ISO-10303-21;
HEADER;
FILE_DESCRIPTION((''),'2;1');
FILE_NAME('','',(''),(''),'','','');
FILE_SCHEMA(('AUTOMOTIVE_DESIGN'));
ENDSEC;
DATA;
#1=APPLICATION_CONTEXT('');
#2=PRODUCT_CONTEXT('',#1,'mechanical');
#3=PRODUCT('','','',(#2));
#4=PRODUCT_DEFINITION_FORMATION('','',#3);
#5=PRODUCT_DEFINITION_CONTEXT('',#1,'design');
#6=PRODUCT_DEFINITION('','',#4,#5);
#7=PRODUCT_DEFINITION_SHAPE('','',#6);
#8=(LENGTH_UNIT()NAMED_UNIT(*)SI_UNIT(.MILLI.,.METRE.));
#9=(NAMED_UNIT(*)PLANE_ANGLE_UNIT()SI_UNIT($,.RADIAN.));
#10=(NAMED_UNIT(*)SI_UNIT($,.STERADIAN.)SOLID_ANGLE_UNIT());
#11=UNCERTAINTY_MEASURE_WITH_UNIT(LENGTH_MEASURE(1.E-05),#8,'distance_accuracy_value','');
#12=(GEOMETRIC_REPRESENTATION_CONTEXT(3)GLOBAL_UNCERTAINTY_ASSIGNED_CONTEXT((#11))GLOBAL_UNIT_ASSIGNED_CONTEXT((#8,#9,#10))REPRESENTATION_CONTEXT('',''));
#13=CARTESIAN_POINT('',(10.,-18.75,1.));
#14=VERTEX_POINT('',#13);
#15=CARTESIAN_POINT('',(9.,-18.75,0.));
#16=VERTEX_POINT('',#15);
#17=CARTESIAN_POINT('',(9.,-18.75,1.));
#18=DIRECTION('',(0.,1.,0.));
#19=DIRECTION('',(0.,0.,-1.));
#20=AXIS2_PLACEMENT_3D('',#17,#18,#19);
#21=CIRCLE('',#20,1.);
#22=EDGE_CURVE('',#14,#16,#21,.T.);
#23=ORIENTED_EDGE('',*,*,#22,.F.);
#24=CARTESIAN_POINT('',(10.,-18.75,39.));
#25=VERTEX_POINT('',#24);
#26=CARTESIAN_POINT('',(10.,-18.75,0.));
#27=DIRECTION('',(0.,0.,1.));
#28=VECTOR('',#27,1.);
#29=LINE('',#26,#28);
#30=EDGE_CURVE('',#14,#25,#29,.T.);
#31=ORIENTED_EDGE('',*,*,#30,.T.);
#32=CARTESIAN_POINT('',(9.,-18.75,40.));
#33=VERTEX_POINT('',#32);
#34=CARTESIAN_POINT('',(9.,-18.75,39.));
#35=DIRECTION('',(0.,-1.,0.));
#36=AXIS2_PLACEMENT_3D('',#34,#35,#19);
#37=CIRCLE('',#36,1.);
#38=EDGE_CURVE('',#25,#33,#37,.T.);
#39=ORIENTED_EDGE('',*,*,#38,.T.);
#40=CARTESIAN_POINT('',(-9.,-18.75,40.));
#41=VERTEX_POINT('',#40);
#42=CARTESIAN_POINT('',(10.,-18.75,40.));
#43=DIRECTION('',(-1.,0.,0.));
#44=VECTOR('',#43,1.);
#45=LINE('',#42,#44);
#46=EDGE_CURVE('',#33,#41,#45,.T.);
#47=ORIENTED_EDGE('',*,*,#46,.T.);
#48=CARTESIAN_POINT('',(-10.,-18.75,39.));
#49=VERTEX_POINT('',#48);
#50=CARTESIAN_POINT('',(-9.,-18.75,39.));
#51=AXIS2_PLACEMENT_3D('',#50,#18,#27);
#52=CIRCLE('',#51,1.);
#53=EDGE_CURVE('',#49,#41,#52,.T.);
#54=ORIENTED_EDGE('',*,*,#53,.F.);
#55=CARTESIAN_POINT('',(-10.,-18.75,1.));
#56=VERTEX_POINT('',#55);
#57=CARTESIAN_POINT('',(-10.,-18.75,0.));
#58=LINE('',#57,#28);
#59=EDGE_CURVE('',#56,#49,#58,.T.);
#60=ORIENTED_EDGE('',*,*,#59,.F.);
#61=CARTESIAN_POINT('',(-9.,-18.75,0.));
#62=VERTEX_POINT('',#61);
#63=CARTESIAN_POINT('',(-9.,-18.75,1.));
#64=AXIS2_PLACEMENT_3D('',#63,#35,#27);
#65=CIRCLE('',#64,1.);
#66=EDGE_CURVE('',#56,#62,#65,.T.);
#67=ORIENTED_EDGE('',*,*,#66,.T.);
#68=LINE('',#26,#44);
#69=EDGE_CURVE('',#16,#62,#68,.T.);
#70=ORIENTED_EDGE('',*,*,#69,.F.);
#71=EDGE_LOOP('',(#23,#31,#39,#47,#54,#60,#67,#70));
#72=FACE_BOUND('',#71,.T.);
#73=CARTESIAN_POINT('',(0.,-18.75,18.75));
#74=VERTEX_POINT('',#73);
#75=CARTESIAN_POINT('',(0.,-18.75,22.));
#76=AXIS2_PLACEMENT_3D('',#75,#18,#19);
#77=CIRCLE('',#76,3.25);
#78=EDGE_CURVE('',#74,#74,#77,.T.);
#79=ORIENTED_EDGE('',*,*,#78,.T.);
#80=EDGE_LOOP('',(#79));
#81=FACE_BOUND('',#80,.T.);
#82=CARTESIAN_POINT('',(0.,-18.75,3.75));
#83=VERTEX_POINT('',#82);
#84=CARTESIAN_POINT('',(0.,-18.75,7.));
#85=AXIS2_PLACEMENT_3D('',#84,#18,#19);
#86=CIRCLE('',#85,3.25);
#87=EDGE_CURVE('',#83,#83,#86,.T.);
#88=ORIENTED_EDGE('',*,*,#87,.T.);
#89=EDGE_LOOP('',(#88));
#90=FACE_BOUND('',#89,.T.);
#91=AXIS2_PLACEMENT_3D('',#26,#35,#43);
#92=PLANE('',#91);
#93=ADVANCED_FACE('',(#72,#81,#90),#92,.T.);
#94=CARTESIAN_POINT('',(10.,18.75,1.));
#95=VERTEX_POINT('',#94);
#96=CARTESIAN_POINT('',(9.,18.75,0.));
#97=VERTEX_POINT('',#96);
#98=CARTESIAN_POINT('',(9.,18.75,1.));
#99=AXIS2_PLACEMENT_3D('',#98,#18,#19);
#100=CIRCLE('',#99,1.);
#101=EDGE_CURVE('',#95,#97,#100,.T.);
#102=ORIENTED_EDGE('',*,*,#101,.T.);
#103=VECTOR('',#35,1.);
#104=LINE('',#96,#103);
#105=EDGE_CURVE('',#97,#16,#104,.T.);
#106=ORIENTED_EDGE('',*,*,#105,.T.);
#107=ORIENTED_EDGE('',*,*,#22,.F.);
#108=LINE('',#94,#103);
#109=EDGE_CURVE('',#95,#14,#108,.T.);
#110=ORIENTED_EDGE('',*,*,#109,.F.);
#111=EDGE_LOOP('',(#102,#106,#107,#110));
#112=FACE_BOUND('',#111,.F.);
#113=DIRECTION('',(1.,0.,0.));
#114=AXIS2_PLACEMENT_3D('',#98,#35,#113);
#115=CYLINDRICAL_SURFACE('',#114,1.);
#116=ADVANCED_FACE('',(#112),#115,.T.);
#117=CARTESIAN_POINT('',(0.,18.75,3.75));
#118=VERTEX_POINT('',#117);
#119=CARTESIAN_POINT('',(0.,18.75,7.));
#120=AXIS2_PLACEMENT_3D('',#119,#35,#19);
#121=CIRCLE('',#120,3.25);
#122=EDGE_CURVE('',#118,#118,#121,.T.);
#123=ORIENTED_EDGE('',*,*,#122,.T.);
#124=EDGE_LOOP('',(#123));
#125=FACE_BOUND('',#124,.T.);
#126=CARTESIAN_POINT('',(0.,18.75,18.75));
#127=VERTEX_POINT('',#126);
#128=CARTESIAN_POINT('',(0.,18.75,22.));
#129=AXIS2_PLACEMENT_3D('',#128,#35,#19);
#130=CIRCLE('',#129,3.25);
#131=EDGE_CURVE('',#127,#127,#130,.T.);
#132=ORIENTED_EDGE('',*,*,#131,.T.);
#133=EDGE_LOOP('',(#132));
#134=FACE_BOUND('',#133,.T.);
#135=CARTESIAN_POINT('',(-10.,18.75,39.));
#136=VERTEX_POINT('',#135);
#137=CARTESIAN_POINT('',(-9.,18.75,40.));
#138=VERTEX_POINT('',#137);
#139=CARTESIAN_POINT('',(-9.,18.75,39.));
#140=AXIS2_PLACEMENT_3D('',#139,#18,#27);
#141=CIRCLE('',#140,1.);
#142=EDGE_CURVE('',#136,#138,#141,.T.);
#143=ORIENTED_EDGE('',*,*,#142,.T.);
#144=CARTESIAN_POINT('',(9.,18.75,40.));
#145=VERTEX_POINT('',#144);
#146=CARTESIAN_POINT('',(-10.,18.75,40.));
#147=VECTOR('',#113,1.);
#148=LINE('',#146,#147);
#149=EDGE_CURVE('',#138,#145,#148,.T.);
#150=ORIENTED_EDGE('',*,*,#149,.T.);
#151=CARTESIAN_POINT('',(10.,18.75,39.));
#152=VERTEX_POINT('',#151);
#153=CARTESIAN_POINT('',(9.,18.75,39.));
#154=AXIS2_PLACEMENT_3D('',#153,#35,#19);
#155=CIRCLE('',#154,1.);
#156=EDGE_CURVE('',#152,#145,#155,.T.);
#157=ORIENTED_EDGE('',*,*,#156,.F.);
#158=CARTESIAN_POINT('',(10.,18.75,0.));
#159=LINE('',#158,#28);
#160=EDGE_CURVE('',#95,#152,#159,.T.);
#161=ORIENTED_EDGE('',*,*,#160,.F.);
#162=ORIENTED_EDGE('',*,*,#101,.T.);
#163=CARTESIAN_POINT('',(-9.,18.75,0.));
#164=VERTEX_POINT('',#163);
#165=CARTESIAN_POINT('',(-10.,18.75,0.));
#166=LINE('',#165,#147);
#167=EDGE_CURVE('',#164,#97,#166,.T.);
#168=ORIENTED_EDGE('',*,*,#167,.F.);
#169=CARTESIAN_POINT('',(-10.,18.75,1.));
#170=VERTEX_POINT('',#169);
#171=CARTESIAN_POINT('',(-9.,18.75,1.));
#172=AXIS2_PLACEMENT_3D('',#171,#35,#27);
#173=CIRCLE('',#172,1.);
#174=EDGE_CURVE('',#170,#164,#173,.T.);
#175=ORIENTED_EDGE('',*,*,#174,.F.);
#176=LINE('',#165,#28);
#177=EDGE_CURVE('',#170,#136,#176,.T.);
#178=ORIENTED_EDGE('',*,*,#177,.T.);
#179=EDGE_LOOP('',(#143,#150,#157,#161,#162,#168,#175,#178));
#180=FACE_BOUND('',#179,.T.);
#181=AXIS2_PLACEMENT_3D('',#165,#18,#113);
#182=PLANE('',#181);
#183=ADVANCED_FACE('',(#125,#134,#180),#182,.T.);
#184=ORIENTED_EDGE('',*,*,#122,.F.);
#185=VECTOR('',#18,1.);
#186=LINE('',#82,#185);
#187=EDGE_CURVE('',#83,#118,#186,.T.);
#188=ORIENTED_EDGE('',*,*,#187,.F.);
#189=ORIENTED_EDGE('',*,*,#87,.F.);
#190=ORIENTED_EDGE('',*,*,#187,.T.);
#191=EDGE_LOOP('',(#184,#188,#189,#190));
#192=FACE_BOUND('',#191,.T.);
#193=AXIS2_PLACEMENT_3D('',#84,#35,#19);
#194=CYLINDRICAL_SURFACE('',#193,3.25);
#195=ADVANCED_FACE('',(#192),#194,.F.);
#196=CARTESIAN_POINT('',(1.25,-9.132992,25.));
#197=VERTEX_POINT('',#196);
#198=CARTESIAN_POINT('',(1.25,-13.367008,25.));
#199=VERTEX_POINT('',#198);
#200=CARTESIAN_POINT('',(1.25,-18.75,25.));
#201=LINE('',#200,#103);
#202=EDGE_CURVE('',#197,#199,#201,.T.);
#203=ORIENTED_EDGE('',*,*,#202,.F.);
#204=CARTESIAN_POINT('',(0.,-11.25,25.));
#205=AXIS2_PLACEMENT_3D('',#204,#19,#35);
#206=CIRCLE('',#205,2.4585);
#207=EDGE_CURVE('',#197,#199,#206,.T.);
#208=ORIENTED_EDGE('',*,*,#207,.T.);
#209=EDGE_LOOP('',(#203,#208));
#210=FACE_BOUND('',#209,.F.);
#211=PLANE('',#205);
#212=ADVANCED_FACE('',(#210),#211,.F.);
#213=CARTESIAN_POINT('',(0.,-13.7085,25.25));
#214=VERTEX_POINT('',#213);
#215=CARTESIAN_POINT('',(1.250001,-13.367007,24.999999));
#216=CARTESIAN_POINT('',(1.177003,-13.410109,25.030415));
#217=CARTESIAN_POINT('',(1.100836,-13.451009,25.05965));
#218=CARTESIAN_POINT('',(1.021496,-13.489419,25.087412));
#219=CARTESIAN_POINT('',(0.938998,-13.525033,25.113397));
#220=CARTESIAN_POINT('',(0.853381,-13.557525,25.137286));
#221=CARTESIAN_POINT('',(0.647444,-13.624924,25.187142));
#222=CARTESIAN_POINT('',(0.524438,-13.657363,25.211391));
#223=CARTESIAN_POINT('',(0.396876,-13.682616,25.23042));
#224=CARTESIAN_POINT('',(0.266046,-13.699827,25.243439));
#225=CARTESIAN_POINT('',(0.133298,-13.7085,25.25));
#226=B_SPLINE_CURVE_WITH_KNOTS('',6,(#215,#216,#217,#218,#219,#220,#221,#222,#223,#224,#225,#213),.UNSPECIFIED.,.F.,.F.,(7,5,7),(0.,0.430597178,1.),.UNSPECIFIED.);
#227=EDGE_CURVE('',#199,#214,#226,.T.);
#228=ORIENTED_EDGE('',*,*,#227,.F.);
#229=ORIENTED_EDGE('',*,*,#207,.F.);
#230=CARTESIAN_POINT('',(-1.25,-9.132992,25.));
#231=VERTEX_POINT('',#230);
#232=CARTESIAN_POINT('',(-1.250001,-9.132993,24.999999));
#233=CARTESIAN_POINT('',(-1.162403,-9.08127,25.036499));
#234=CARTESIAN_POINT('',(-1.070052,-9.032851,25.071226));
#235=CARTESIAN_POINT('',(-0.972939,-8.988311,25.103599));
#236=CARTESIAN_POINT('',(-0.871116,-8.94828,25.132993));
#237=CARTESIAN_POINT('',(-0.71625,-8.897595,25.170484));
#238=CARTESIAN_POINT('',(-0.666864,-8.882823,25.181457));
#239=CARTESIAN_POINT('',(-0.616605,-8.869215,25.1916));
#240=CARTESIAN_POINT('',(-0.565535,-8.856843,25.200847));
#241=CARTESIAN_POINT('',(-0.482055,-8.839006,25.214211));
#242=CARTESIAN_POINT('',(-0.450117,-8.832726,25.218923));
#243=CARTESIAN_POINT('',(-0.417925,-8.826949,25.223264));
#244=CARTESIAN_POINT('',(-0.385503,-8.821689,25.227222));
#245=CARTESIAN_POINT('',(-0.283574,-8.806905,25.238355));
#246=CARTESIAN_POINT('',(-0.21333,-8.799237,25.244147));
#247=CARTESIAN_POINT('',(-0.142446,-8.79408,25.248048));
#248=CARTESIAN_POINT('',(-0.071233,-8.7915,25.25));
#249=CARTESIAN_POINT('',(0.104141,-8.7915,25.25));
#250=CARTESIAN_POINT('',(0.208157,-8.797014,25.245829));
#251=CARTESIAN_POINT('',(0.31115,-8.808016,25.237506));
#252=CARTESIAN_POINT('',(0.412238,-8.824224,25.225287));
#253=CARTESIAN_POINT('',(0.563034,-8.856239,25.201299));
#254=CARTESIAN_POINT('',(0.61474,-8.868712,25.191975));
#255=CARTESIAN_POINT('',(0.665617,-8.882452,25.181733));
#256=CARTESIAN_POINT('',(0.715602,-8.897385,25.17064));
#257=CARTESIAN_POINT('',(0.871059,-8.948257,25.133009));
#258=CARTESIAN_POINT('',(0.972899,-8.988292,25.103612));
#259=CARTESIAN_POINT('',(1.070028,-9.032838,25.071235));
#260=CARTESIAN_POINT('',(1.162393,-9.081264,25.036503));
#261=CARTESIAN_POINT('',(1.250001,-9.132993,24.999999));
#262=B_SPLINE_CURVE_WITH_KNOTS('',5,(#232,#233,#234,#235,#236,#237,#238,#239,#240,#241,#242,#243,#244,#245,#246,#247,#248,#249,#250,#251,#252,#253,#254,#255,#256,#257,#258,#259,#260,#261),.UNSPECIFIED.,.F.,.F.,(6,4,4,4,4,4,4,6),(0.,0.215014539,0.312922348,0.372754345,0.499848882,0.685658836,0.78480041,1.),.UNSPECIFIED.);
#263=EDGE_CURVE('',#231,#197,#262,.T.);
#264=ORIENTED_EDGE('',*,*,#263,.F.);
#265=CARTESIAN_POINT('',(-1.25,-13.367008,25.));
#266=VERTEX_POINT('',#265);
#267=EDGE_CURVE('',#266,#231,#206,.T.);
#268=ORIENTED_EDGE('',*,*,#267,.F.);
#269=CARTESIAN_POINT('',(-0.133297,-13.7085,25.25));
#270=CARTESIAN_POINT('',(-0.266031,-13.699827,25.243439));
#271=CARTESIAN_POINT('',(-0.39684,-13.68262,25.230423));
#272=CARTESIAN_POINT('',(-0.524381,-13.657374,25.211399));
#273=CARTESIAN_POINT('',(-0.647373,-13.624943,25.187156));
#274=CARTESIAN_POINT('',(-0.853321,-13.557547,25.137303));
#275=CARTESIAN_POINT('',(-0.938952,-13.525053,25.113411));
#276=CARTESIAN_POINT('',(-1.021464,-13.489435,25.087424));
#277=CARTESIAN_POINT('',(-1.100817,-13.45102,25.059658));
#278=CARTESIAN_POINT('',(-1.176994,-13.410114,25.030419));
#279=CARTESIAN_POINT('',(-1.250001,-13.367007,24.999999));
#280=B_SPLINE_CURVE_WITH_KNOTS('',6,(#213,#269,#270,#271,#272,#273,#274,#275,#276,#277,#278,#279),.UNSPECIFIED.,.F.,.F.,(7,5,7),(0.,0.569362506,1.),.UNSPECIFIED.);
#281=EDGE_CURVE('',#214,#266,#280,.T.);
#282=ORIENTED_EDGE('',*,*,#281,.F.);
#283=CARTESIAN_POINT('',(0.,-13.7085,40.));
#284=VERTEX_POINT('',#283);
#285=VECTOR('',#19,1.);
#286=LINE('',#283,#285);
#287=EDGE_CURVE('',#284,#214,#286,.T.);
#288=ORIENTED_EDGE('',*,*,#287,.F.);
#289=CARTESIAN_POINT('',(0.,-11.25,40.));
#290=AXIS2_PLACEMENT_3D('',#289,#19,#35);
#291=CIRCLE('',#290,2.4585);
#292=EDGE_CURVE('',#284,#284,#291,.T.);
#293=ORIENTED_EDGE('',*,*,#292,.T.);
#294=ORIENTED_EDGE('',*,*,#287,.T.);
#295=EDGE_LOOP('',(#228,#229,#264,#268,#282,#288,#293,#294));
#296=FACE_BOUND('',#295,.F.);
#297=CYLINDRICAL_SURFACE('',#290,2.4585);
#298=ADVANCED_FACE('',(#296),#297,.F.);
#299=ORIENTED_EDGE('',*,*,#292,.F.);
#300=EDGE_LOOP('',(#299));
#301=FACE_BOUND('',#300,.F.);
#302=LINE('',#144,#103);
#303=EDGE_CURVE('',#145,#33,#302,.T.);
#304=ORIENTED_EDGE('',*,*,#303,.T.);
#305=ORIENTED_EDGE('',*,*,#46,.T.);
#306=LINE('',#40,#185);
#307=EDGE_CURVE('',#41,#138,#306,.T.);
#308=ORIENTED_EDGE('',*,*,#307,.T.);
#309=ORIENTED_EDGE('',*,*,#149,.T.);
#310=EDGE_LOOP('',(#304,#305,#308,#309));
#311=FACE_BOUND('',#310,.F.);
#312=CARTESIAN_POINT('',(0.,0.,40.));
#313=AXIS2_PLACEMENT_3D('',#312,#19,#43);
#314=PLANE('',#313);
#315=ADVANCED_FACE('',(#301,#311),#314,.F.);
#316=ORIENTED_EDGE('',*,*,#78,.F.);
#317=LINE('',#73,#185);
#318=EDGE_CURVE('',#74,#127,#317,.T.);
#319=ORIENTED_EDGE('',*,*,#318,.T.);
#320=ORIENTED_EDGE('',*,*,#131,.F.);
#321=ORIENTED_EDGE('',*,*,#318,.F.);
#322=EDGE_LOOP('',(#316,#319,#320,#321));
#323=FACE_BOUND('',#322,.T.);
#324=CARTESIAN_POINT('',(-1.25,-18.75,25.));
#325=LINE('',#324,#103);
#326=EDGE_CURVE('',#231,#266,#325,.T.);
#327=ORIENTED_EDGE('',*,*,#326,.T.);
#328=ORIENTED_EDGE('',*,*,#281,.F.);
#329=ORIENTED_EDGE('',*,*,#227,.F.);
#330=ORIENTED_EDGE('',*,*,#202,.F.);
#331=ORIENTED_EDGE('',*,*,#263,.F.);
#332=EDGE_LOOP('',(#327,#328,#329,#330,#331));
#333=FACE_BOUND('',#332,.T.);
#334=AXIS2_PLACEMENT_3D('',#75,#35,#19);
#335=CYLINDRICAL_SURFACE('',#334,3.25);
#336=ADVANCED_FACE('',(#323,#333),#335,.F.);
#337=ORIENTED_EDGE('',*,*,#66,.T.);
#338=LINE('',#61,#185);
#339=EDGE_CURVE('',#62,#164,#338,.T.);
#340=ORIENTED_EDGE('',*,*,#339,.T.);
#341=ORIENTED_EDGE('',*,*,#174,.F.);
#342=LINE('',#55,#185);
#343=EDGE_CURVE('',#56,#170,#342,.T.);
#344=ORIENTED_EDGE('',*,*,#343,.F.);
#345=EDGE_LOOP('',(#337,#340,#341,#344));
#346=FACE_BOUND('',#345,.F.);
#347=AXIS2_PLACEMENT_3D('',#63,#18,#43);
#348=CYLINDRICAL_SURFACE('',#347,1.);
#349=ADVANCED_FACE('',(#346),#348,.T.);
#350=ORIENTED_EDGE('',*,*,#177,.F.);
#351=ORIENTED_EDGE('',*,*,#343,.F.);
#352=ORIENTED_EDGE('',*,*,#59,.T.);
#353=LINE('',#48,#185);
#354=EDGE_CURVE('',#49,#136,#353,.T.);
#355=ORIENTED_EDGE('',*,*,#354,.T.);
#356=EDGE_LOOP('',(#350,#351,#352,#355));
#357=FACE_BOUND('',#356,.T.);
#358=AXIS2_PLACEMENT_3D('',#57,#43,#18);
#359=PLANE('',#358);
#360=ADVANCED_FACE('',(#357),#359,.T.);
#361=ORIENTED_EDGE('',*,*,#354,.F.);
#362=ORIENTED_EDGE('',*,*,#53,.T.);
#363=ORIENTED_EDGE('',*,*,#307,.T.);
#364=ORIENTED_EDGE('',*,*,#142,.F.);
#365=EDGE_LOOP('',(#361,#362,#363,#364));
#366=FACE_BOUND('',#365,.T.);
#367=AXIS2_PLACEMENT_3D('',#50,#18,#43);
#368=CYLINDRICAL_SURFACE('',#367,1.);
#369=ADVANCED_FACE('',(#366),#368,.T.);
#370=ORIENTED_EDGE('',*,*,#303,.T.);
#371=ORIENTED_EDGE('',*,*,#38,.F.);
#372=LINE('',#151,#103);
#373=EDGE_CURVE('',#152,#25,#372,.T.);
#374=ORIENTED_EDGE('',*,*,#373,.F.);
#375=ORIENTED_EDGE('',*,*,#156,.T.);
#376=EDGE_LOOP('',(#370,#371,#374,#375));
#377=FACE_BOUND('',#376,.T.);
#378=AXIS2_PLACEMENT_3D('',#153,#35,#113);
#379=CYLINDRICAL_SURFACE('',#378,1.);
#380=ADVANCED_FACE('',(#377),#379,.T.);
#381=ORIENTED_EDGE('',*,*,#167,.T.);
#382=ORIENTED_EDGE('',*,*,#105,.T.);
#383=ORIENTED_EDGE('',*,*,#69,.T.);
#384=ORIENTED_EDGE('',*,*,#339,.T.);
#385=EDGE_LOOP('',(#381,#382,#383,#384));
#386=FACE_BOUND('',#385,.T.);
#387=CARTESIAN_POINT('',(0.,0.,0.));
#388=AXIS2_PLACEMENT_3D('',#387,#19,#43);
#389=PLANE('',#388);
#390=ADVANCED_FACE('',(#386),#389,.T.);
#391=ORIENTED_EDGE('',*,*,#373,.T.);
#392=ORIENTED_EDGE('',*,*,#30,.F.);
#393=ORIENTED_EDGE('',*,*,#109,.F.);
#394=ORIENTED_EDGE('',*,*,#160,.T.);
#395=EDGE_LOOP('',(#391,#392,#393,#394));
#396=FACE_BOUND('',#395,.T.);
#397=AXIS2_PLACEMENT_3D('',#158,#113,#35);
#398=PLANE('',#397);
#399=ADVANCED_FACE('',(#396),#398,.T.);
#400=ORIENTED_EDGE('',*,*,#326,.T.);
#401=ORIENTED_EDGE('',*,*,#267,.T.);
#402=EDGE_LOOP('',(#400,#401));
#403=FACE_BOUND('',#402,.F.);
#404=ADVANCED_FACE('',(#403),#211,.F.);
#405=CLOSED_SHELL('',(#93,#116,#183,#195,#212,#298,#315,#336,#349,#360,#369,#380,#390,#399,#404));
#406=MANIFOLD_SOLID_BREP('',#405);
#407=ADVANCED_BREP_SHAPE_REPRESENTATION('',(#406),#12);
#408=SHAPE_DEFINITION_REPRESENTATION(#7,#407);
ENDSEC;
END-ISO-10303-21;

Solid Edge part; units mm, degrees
sketch "Sketch1" plane through (0, 0, 0) normal (0, 0, 1) x (1, 0, 0)
  line L0 (10, -18.75) -> (-10, -18.75)
  line L1 (-10, -18.75) -> (-10, 18.75)
  line L2 (-10, 18.75) -> (10, 18.75)
  line L3 (10, 18.75) -> (10, -18.75)
extrude "Protrusion1" add sketch "Sketch1" along normal blind 40
hole "Bohrung_6" at (0, -11.25, 40) direction (0, 0, -1) diameter 4.917 depth 15 thread major 6 thread length 10
fillet "Verrundung_1" radius 1 4 edges at (-10, 0, 40) (10, 0, 40) (-10, 0, 0) (10, 0, 0)
hole "Bohrung_4" at (0, -18.75, 22) direction (0, 1, 0) diameter 6.5 end through all
hole "Hole1" at (0, -18.75, 7) direction (0, 1, 0) diameter 6.5 end through all
